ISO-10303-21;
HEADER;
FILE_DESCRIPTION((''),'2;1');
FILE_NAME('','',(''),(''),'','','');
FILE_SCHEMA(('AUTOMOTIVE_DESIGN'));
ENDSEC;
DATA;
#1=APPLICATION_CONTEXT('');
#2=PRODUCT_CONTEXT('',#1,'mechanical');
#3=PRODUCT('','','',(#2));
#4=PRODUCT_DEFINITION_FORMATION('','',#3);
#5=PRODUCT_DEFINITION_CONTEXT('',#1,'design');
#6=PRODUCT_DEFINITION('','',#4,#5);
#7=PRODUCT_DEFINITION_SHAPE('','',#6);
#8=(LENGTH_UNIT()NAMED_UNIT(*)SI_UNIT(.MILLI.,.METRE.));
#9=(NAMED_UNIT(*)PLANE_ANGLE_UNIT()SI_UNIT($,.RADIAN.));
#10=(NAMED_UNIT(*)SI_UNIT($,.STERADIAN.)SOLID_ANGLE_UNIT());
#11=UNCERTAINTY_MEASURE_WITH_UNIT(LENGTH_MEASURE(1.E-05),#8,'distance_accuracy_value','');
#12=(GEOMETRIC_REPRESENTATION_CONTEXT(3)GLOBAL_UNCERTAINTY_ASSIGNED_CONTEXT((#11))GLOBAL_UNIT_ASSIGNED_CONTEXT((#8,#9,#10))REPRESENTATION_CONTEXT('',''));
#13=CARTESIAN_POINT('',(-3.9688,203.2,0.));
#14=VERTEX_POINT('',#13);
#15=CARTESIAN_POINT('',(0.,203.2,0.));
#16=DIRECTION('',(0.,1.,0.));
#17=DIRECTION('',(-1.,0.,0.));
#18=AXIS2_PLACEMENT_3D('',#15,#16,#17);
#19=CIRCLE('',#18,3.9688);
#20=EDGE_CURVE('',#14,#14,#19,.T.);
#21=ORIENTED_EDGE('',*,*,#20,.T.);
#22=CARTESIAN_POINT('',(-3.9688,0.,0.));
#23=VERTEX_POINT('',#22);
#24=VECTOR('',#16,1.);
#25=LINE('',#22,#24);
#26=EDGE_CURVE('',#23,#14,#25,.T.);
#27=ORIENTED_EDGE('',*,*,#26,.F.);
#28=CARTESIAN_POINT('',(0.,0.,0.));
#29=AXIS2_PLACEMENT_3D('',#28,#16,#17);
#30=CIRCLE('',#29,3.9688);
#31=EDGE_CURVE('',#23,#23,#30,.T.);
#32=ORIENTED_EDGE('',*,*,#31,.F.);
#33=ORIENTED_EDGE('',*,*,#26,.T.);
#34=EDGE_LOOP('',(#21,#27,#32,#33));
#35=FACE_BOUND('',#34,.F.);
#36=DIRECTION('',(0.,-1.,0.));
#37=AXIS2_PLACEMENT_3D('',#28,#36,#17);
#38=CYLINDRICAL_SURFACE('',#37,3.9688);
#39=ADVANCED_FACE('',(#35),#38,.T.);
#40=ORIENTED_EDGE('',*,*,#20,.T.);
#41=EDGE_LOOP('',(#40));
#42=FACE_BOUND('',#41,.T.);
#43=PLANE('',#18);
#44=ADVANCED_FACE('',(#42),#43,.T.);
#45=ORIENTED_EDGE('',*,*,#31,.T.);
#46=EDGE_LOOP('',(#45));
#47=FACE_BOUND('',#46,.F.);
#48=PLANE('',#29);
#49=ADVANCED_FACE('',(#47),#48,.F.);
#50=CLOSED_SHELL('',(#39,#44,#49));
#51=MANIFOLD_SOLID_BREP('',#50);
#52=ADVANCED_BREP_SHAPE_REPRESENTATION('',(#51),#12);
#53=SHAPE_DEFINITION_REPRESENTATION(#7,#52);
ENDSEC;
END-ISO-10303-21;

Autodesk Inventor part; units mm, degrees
ref_plane "YZ Plane" through (0, 0, 0) normal (1, 0, 0) x (0, 1, 0)
ref_plane "XZ Plane" through (0, 0, 0) normal (0, 1, 0) x (-1, 0, 0)
ref_plane "XY Plane" through (0, 0, 0) normal (0, 0, 1) x (1, 0, 0)
sketch "Sketch1" plane through (0, 0, 0) normal (0, 1, 0) x (-1, 0, 0)
  circle A0 centre (0, 0) radius 3.9688
  dimension "d0" = 7.9375
extrude "Extrusion1" add sketch "Sketch1" along normal blind 203.2
thread "Thread1" size "5/16-18 UNC" class "2A" standard "ANSI Unified Screw Threads" full length
equation "\"d1\" = threaded_rod_z"
equation "\"wood_thickness\" = 6.72"
equation "\"m3_diameter\" = 3.15"
equation "\"m5_diameter\" = 5.25"
equation "\"stepper_screw_space\" = 35"
equation "\"stepper_shaft_diameter\" = 5"
equation "\"stepper_body_diameter\" = 28"
equation "\"laser_body_diameter\" = 12"
equation "\"thick_acrylic\" = 5.88"
equation "\"carrier_y\" = 181"
equation "\"reservoir_x\" = 151"
equation "\"reservoir_y\" = 151"
equation "\"thin_acrylic\" = 3.15"
equation "\"linear_bearing_spacing\" = 207"
equation "\"linear_bearing_z\" = 304.8"
equation "\"threaded_rod_z\" = 203.2"
equation "\"motor_spacing\" = 287"
equation "\"tray_boarder\" = 15"
equation "\"tray_x\" = 151"
equation "\"tray_y\" = 181"
equation "\"brass_insert_drill\" = 4"
equation "\"brass_keep_out\" = 8"
equation "\"tape_keep_out\" = 2"
equation "\"tape_thickness\" = 2"
equation "\"crane_x\" = 244.56"
equation "\"z_min_from_center\" = 72.28"
equation "\"printer_z\" = 289"
equation "\"carrier_z\" = 233.04"
equation "\"carrier_z2\" = 283.04"
equation "\"window_z\" = 185"
equation "\"window_slot\" = 25"
equation "\"frame_tilt\" = 0"
equation "\"lcd_x\" = 72"
equation "\"lcd_y\" = 25"
equation "\"clear_acrylic\" = 3.15"
equation "\"laser_diameter\" = 12"
equation "\"laser_y_offset\" = 19.4"
equation "\"subframe_y_offset\" = 27.5"
equation "\"laser_y\" = 33"
equation "\"laser_z\" = 33"
equation "\"frame_top_z\" = 295"
equation "\"frame_bottom_z\" = 225"
equation "\"frame_y\" = 68.44"
equation "\"frame_border\" = 39.5"
equation "\"t_frame\" = 6.72"
equation "\"t_carrier\" = 6.72"
equation "\"t_tray\" = 3.15"
equation "\"tray_border\" = 15"
equation "\"t_wall\" = 5.88"
equation "\"galvo_frame_z\" = 65"
equation "\"galvo_frame_x\" = 66"
equation "\"t_galvo_frame\" = 6.72"
equation "\"galvo_frame_y_offset\" = 27.5"
equation "\"m4_diameter\" = 4.2"
equation "\"window_y\" = 49.56"
equation "\"t_window\" = 3.15"
equation "\"laser_x\" = 62"
equation "\"drawer_y\" = 49.56"
equation "\"drawer_x\" = 181"
equation "\"drawer_z\" = 206.72"
equation "\"frame_foot_z\" = 49.5"
equation "\"drawer_z_from_bottom\" = 25"
equation "\"t_crane\" = 6.72"
equation "\"end_stop_offset_x\" = 83"
equation "\"end_stop_spacing\" = 19"
equation "\"thumb_nut_offset_y\" = 11.72"
equation "\"thumb_nut_diameter\" = 7"
equation "\"frame_foot_extension\" = 6"
equation "\"m5_brass_insert_drill\" = 6.7"
equation "\"m3_brass_insert_drill\" = 4"
equation "\"door_sensor\" = 35"
equation "\"protection_slot\" = 30.2"
equation "\"protection_slot_offset\" = 37.75"
equation "\"protection_slot_length\" = 20.6"
equation "\"m3_main_nut_width\" = 5.7"
equation "\"m3_main_extra\" = 1"
equation "\"m3_main_length\" = 14"
equation "\"m3_main_nut_thickness\" = 2.5"
equation "\"bed_t\" = 1.5875"
equation "\"al1_thickness\" = 1.5875"
equation "\"bed_fold_x\" = 15"
equation "\"bed_gap\" = 0.3"
equation "\"bed_y2\" = 45.96"
equation "\"m5_press_nut_drill\" = 6.35"
equation "\"asym_key\" = 0"
equation "\"small_round\" = 2"
equation "\"drawer_foot_mount\" = 18"
equation "\"inner_tray_x\" = 145"
equation "\"inner_tray_radius\" = 24"
equation "\"t_tape\" = 3"
equation "\"t_inner_tray\" = 5.88"
equation "\"inner_tray_y\" = 145"
equation "\"inner_tray_border\" = 5"
equation "\"bottom_clear_border\" = 5"
equation "\"t_bottom_clear\" = 3.15"
equation "\"laser_screw_spacing_y\" = 16"
properties part number "threaded_rod"
